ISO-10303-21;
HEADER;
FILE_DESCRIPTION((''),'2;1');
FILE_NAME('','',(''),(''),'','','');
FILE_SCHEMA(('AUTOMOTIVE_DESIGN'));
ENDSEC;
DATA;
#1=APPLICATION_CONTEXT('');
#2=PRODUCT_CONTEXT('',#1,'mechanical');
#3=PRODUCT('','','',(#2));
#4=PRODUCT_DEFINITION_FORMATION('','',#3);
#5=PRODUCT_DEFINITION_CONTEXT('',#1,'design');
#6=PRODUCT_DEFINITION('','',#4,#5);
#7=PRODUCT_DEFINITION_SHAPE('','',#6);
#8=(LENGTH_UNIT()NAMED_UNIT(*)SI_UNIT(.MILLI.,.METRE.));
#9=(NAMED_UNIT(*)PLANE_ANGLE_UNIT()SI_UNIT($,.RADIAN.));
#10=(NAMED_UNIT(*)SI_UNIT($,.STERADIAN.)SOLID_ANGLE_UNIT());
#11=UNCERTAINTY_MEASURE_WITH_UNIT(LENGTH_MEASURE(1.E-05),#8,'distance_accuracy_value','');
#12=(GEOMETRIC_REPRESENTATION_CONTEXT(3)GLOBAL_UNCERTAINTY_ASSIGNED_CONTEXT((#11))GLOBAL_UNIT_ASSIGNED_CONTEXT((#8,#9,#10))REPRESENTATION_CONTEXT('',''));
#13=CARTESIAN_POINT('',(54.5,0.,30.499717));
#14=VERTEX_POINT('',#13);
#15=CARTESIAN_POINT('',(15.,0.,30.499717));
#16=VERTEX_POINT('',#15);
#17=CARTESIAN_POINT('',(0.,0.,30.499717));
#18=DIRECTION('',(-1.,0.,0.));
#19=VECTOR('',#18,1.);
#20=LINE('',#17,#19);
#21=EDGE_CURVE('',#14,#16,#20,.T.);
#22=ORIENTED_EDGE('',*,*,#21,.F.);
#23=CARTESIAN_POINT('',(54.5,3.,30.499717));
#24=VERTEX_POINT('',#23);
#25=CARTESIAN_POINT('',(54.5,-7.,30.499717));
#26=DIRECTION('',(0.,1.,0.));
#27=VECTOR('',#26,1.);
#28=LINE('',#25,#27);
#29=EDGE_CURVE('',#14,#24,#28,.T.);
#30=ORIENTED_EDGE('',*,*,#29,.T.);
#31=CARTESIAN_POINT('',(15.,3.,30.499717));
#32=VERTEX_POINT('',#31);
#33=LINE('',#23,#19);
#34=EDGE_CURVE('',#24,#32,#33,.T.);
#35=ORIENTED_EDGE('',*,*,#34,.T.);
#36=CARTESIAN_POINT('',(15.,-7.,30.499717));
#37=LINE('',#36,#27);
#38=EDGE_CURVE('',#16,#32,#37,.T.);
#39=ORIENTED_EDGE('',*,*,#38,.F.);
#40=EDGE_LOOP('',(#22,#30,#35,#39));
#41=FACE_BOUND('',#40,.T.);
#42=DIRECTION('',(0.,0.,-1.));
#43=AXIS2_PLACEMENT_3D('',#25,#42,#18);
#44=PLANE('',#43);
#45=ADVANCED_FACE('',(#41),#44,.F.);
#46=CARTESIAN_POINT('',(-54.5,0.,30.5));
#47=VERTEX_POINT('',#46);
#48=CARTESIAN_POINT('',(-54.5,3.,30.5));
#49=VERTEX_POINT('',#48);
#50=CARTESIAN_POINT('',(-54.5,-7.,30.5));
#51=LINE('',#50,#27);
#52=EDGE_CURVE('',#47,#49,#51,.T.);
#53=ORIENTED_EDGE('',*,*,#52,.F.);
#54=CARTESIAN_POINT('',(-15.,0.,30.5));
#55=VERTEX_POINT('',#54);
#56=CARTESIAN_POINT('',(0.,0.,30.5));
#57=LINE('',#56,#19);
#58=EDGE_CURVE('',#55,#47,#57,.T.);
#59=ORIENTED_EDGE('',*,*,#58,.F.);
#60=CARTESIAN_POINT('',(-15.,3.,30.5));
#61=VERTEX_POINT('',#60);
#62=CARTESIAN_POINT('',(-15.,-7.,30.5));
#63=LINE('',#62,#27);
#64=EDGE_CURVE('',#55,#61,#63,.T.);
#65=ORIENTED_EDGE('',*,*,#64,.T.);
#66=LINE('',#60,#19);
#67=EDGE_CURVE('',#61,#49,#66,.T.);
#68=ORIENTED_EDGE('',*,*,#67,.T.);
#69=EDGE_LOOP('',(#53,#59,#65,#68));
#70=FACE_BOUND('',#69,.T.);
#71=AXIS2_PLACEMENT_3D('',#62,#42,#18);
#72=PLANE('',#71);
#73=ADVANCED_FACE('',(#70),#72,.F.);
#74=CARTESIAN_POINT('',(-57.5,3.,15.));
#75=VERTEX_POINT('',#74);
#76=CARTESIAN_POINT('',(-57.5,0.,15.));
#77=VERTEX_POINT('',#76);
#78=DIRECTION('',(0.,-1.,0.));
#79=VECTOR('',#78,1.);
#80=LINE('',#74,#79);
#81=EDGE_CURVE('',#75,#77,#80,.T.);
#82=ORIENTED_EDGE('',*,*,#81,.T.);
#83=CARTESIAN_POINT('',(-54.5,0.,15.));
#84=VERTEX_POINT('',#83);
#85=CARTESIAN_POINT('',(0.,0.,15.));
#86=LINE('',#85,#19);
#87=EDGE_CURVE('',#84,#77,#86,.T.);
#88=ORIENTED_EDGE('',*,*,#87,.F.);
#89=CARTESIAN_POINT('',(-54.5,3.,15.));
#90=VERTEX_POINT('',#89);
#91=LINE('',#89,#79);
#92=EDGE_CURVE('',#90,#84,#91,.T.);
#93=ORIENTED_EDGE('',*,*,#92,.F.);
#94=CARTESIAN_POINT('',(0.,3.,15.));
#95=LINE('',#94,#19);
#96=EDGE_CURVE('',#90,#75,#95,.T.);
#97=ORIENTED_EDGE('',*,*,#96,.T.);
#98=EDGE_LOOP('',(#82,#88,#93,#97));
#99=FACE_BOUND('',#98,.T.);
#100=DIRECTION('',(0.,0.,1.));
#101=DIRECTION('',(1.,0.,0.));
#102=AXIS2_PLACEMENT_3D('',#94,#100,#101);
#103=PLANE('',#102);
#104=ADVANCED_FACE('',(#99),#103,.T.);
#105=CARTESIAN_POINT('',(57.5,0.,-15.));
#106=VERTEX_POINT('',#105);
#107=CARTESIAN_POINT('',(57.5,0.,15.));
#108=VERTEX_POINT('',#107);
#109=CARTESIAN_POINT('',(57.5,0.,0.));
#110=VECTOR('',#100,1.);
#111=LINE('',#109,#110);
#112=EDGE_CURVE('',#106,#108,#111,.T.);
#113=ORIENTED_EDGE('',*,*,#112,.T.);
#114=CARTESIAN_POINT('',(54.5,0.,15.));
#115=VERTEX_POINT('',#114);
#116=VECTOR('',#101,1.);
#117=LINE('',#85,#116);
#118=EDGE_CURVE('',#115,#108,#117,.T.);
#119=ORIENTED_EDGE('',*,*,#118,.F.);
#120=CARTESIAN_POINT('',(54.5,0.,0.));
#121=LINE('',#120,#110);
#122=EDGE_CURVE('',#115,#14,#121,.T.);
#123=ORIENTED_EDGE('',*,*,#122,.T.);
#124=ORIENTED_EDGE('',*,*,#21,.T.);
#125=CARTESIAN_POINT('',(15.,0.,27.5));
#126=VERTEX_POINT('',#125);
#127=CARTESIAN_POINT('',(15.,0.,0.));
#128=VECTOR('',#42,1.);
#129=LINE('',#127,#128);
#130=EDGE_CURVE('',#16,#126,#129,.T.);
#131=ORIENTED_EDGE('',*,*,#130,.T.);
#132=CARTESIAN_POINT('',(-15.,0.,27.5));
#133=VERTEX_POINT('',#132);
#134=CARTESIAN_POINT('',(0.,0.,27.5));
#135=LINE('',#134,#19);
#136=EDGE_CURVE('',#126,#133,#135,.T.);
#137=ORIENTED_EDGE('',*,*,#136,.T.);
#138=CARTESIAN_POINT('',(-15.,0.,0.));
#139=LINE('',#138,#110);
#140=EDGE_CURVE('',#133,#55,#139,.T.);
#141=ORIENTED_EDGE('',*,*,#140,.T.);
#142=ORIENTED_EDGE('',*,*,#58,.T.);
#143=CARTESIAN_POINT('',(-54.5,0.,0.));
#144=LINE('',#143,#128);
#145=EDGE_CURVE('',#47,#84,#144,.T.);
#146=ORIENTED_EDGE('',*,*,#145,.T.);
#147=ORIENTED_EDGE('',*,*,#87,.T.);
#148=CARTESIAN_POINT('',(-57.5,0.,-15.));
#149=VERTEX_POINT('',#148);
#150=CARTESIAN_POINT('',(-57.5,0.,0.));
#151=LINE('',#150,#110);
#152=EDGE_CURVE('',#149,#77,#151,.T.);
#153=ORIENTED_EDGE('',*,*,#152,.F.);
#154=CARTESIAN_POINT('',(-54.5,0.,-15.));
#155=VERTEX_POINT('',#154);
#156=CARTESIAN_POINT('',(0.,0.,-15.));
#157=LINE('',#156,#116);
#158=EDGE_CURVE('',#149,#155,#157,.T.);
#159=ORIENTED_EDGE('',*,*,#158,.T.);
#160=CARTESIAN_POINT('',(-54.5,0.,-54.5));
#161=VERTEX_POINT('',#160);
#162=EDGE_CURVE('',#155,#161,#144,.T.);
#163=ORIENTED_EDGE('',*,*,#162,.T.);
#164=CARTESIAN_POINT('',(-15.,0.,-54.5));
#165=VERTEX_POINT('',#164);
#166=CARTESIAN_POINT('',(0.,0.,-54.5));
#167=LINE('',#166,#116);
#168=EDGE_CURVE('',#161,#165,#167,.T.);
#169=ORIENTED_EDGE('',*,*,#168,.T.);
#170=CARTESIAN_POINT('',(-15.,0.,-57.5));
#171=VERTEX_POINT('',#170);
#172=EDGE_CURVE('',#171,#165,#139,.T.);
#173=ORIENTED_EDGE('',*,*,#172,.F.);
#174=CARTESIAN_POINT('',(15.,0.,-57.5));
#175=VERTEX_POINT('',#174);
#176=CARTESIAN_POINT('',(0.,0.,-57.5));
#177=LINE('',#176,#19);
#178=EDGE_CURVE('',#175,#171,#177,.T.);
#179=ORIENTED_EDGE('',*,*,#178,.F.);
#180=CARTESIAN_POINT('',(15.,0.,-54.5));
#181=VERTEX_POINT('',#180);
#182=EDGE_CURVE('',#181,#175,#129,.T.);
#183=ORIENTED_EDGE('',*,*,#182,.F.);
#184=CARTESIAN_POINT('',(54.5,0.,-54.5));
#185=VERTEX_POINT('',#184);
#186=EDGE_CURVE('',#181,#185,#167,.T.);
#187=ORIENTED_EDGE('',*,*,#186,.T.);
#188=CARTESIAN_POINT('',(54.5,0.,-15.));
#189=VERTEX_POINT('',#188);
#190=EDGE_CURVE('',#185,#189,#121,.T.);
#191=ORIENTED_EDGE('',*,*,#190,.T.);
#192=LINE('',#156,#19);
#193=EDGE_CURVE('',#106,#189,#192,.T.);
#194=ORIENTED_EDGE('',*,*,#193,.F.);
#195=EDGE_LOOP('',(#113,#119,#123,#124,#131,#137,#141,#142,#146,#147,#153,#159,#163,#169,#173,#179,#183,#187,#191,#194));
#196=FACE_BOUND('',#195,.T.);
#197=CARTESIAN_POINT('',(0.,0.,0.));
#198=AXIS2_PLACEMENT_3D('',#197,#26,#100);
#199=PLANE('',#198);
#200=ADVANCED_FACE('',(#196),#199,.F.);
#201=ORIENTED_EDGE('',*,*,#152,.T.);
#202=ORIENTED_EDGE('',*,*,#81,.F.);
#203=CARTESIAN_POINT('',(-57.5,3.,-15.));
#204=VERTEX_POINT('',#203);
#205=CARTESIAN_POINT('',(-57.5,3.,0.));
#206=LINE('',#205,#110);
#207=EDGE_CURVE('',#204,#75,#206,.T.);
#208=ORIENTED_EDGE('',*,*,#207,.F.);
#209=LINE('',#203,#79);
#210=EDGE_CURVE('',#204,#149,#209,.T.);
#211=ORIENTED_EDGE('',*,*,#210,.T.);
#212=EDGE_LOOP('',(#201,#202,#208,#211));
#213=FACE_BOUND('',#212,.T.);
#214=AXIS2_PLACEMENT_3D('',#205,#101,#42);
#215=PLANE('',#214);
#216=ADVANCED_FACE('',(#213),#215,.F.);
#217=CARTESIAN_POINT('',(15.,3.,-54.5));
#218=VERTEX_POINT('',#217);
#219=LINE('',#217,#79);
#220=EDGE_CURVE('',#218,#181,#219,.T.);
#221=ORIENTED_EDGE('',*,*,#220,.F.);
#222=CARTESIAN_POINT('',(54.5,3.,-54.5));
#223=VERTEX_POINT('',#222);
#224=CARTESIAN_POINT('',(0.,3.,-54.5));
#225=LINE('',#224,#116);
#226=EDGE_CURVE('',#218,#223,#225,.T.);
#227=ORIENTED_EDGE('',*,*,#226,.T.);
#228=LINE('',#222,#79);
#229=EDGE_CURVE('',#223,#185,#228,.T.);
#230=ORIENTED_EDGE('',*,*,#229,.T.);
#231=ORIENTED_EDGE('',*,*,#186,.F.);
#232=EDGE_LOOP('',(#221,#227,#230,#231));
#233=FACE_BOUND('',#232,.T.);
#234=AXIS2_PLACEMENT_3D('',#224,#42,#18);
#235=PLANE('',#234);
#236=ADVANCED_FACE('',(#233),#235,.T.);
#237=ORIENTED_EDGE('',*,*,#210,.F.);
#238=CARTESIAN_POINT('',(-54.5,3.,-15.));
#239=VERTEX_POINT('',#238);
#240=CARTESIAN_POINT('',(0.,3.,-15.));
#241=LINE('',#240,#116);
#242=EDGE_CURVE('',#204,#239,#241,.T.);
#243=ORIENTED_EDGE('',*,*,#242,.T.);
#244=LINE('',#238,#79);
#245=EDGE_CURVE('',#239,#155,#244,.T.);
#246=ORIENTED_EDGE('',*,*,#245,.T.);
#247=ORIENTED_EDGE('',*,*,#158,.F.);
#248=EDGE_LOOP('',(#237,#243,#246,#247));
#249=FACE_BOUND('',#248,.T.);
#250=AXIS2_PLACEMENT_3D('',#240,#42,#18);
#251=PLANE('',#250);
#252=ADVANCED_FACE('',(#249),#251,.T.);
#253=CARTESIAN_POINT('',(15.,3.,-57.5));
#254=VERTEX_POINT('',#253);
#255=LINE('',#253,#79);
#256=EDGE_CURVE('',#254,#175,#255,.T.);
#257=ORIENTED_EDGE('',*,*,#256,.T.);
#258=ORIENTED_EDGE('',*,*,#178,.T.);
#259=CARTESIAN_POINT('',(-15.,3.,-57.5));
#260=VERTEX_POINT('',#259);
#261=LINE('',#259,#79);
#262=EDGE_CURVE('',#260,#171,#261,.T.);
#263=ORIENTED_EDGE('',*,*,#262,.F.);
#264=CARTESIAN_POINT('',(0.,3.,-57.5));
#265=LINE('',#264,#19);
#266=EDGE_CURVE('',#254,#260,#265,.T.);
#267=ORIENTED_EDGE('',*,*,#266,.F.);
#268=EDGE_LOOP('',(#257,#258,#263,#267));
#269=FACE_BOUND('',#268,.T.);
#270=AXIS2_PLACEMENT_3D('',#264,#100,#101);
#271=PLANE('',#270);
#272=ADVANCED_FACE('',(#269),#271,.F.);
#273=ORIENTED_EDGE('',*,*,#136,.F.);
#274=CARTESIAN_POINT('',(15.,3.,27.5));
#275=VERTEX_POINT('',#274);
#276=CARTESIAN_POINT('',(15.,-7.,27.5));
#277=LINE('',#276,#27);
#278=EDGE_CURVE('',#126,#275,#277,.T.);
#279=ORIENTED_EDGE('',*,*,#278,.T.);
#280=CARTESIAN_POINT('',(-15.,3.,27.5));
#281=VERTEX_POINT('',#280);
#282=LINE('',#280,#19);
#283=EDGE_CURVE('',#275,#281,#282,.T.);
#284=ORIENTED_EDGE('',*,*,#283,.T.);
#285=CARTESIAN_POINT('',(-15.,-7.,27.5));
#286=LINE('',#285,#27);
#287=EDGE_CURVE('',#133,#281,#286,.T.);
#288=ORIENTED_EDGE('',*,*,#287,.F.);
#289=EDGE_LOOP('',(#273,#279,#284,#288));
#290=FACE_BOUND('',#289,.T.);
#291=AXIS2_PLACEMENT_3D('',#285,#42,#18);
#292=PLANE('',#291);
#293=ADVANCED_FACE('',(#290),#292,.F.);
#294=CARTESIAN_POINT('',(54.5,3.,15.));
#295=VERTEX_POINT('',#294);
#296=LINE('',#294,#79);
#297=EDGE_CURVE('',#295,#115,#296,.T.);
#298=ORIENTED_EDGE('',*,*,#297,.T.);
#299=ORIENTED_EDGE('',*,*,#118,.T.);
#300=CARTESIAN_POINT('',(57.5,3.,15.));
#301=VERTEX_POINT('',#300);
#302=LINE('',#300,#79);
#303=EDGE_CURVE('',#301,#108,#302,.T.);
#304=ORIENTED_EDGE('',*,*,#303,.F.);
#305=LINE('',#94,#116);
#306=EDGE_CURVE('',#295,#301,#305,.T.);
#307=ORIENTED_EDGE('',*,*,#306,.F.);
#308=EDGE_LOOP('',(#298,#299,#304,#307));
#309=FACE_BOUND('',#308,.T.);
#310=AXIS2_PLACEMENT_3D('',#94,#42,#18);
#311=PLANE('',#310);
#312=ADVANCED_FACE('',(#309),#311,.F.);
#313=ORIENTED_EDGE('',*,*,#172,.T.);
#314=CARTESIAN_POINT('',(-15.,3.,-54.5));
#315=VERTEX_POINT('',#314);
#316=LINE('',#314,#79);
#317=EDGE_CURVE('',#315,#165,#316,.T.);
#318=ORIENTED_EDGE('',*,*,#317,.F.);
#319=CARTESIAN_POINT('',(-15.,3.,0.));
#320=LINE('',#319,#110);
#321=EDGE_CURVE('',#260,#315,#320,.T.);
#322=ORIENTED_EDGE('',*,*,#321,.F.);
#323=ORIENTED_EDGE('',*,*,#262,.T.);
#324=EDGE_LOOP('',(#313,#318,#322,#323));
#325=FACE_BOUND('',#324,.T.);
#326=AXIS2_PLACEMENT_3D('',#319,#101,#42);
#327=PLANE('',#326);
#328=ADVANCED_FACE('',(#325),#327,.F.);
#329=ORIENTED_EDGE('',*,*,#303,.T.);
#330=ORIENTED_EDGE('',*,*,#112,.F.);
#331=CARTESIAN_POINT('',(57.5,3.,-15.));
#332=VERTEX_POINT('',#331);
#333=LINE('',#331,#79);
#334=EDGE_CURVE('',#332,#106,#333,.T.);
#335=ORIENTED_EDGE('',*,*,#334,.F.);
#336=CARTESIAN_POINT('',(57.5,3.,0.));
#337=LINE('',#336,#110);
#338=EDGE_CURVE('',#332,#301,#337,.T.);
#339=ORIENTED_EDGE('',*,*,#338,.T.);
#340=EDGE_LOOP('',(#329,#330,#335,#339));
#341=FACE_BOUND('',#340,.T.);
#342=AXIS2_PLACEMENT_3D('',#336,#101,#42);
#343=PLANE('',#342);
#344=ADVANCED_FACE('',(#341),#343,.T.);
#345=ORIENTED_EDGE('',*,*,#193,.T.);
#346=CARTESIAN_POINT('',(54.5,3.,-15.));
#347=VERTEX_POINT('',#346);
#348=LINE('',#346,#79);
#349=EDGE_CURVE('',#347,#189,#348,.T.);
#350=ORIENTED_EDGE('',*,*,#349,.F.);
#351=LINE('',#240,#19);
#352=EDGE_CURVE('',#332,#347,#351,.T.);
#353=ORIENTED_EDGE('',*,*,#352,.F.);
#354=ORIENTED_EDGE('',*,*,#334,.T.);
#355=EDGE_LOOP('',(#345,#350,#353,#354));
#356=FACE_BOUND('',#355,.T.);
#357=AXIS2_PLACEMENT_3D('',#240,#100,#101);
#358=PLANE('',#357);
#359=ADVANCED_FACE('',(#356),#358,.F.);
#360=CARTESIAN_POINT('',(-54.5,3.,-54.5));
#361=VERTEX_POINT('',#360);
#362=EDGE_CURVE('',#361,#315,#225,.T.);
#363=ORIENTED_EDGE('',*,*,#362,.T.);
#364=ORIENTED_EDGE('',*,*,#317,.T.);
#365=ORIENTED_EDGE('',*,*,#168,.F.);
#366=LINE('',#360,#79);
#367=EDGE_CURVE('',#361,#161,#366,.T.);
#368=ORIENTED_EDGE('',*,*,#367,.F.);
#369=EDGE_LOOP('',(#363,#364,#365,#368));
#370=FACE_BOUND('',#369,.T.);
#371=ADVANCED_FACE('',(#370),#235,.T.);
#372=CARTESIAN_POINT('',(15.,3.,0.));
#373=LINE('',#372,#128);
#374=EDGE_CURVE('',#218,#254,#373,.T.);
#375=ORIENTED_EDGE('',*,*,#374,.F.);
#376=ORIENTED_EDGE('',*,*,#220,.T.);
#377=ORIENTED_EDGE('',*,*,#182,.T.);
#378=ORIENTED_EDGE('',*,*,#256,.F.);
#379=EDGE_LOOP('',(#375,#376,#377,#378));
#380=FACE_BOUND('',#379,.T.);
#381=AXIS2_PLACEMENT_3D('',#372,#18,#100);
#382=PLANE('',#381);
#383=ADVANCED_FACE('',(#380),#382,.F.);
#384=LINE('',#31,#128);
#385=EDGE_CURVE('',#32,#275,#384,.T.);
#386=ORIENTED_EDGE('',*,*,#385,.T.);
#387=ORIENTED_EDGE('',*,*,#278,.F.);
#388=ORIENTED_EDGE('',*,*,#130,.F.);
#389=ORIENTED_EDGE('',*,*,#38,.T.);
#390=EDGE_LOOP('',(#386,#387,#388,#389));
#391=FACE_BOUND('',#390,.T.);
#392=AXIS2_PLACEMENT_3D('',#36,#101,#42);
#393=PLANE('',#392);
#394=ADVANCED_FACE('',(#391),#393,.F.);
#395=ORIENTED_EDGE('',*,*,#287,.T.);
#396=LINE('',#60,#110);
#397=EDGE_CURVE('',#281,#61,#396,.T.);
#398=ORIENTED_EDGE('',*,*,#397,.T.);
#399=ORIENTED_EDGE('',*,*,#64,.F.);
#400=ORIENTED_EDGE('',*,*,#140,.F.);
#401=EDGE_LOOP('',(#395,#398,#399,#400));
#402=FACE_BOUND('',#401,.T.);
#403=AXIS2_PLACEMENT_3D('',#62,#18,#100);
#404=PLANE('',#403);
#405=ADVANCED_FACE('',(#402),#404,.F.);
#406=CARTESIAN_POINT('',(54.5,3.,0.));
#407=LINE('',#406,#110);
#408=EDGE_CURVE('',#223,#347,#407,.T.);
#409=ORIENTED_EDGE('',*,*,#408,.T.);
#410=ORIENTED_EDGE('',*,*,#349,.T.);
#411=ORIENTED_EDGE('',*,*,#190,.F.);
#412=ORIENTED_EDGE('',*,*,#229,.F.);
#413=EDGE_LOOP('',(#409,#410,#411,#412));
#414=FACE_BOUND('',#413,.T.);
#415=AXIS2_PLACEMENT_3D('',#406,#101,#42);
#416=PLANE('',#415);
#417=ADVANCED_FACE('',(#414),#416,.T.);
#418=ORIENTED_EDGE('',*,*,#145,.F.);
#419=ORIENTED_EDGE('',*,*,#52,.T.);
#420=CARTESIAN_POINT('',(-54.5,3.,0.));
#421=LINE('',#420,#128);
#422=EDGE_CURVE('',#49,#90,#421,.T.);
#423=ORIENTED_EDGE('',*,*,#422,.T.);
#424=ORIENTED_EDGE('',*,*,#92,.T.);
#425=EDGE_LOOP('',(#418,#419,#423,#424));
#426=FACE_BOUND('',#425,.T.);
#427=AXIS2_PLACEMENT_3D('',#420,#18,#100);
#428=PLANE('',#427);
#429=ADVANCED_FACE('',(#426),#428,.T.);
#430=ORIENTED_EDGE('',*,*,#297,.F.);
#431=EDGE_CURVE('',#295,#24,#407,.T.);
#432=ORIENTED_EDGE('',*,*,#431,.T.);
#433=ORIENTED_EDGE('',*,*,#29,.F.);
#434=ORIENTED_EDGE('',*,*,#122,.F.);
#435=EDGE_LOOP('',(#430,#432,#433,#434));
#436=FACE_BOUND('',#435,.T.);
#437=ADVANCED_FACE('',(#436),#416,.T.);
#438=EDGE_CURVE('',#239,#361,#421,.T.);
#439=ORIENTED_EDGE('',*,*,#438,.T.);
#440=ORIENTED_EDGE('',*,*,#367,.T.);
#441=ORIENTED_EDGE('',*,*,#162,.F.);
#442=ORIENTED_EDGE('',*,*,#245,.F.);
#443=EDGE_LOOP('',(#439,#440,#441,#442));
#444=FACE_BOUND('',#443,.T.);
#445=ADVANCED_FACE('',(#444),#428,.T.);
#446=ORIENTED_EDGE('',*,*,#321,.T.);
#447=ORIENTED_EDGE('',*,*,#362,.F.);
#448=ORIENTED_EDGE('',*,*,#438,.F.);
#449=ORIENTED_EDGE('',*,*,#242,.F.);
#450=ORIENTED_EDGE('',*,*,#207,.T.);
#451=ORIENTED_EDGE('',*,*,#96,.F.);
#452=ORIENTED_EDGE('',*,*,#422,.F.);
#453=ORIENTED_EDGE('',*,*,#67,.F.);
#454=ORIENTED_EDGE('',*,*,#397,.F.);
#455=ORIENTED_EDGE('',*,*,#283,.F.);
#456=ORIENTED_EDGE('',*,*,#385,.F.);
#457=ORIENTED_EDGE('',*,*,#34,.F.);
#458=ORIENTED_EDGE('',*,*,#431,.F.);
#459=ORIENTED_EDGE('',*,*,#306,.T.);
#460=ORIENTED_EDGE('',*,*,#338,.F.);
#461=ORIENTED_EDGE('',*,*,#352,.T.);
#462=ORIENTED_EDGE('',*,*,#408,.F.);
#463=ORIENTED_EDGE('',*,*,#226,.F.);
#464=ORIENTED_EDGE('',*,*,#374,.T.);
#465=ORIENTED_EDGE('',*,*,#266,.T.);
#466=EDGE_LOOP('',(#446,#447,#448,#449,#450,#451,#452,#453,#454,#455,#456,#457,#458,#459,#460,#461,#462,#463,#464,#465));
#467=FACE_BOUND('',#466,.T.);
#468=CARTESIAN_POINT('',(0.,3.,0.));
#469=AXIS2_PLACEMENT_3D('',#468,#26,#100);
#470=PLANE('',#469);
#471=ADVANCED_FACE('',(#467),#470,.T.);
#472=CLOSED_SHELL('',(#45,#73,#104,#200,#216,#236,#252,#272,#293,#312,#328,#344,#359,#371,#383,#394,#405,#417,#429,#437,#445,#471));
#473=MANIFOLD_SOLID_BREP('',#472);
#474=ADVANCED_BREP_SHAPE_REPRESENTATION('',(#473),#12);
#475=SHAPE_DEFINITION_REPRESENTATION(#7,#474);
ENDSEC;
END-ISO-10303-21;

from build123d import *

# Parameters (mm, degrees)
SKETCH1_W           = 30
SKETCH1_H           = 3
SKETCH1_W_2         = 3
SKETCH1_H_2         = 30
BOSS_EXTRUDE1_DEPTH = 3
CUT_EXTRUDE1_DEPTH  = 10


with BuildPart() as part:
    # Sketch1 → Boss-Extrude1 (new body)
    with BuildSketch(Plane(origin=(0, 0, 0), x_dir=(1, 0, 0), z_dir=(0, 1, 0))):
        with Locations((0, -56)):
            Rectangle(SKETCH1_W, SKETCH1_H)
        with Locations((-56, 0)):
            Rectangle(SKETCH1_W_2, SKETCH1_H_2)
        with Locations((0, 56)):
            Rectangle(SKETCH1_W, SKETCH1_H)
        Polygon((-54.5, -54.5), (-54.5, -15), (-54.5, 15), (-54.5, 54.5), (-15, 54.5), (15, 54.5), (54.5, 54.5), (54.5, 15), (54.5, -15), (54.5, -54.5), (15, -54.5), (-15, -54.5), align=None)
        with Locations((56, 0)):
            Rectangle(SKETCH1_W_2, SKETCH1_H_2)
    extrude(amount=BOSS_EXTRUDE1_DEPTH)

    # Sketch2 → Cut-Extrude1 (cut)
    with BuildSketch(Plane(origin=(0, 3, 0), x_dir=(1, 0, 0), z_dir=(0, 1, 0))):
        Polygon((-15, -30.5), (-15, -27.5), (15, -27.5), (15, -30.499716912), (54.5, -30.499716912), (54.5, -57.5), (-54.5, -57.5), (-54.5, -30.5), align=None)
    extrude(amount=-CUT_EXTRUDE1_DEPTH, mode=Mode.SUBTRACT)


solid = part.part
